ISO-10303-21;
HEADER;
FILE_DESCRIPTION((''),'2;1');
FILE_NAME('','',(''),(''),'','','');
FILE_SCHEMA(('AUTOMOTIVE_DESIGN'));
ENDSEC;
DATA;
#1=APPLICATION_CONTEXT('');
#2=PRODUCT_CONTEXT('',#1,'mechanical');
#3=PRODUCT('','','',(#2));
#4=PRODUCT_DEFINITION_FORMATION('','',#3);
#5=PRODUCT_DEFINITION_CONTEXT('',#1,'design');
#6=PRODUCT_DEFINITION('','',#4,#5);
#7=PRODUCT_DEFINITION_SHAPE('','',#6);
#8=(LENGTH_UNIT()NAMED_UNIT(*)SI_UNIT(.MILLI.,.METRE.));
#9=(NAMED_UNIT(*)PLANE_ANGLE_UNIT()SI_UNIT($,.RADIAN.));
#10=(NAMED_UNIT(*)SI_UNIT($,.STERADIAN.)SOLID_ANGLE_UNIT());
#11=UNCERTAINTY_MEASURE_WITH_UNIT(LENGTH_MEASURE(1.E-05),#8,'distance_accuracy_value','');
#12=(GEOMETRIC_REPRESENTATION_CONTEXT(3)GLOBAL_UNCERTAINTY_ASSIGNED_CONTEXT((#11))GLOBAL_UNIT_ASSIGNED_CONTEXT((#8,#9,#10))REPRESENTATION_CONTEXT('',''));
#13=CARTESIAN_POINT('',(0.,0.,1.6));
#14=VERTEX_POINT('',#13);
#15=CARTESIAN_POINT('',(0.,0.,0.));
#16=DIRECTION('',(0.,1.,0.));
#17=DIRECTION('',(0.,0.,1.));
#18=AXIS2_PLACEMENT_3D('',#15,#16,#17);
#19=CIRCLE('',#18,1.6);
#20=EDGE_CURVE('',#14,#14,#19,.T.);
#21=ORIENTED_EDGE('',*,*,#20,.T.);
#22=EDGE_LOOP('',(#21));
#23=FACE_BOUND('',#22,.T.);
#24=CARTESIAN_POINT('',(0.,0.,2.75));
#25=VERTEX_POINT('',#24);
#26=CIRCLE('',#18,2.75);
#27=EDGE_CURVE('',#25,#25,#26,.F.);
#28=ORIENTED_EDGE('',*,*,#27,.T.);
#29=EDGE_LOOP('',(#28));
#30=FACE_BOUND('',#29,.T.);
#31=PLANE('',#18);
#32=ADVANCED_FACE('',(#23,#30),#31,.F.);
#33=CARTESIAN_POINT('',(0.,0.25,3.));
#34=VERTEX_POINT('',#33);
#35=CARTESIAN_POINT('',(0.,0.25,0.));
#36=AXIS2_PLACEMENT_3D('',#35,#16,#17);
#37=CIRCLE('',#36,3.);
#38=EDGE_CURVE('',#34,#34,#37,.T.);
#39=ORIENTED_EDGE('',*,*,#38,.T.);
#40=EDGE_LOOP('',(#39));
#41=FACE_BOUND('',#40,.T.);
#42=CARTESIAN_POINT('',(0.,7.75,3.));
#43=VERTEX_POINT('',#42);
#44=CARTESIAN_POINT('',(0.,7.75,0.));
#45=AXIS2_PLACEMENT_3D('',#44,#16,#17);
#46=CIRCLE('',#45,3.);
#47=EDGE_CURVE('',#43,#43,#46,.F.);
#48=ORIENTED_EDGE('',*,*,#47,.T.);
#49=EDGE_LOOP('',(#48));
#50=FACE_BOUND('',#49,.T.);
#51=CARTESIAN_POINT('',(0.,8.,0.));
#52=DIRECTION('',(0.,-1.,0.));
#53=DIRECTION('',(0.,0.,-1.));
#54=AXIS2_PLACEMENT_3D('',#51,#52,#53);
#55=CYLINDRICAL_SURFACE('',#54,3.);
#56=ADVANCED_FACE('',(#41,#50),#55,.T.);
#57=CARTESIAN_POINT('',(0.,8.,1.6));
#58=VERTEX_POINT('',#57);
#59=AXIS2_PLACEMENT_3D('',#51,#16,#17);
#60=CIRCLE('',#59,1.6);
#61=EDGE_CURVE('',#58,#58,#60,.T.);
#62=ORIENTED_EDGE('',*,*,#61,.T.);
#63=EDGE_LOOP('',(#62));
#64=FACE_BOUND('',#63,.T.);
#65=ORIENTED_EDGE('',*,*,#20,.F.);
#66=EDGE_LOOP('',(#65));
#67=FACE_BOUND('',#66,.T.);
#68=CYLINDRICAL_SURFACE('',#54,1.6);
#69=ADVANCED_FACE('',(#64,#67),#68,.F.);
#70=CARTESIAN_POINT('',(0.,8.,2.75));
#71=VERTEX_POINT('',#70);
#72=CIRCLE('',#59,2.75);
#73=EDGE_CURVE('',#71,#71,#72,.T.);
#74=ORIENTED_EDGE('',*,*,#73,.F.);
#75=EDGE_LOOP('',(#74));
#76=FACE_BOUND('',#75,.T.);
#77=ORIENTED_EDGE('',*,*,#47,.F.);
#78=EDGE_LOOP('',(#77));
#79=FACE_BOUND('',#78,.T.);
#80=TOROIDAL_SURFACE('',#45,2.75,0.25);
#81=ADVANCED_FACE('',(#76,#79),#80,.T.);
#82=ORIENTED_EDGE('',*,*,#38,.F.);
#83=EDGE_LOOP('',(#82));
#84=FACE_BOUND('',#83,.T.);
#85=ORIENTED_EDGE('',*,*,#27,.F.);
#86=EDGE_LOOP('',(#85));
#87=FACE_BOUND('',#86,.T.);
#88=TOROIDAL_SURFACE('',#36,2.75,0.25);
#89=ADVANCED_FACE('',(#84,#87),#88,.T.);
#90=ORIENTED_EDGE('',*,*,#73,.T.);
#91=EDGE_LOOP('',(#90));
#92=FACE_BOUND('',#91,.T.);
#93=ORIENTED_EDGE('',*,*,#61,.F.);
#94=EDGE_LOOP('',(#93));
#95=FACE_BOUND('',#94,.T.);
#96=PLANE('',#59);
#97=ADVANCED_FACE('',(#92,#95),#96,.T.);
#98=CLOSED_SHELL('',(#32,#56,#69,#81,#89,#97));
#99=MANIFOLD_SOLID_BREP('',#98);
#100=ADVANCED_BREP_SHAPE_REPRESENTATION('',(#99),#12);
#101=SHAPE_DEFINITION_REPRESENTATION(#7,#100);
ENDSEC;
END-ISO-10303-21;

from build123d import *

# Parameters (mm, degrees)
SKETCH1_R           = 3
SKETCH1_R_2         = 1.6
BOSS_EXTRUDE1_DEPTH = 8
FILLET1_R           = 0.25


with BuildPart() as part:
    # Sketch1 → Boss-Extrude1 (new body)
    with BuildSketch(Plane(origin=(0, 0, 0), x_dir=(1, 0, 0), z_dir=(0, 1, 0))):
        with Locations(Location((0, 0, 0), (0, 0, 270))):
            Circle(SKETCH1_R)
        with Locations(Location((0, 0, 0), (0, 0, 270))):
            Circle(SKETCH1_R_2, mode=Mode.SUBTRACT)
    extrude(amount=BOSS_EXTRUDE1_DEPTH)

    # Fillet1
    fillet1_edges = [part.edges().sort_by_distance(p)[0] for p in [
        (0, 0, -3),
        (0, 8, -3),
    ]]
    fillet(fillet1_edges, radius=FILLET1_R)


solid = part.part
